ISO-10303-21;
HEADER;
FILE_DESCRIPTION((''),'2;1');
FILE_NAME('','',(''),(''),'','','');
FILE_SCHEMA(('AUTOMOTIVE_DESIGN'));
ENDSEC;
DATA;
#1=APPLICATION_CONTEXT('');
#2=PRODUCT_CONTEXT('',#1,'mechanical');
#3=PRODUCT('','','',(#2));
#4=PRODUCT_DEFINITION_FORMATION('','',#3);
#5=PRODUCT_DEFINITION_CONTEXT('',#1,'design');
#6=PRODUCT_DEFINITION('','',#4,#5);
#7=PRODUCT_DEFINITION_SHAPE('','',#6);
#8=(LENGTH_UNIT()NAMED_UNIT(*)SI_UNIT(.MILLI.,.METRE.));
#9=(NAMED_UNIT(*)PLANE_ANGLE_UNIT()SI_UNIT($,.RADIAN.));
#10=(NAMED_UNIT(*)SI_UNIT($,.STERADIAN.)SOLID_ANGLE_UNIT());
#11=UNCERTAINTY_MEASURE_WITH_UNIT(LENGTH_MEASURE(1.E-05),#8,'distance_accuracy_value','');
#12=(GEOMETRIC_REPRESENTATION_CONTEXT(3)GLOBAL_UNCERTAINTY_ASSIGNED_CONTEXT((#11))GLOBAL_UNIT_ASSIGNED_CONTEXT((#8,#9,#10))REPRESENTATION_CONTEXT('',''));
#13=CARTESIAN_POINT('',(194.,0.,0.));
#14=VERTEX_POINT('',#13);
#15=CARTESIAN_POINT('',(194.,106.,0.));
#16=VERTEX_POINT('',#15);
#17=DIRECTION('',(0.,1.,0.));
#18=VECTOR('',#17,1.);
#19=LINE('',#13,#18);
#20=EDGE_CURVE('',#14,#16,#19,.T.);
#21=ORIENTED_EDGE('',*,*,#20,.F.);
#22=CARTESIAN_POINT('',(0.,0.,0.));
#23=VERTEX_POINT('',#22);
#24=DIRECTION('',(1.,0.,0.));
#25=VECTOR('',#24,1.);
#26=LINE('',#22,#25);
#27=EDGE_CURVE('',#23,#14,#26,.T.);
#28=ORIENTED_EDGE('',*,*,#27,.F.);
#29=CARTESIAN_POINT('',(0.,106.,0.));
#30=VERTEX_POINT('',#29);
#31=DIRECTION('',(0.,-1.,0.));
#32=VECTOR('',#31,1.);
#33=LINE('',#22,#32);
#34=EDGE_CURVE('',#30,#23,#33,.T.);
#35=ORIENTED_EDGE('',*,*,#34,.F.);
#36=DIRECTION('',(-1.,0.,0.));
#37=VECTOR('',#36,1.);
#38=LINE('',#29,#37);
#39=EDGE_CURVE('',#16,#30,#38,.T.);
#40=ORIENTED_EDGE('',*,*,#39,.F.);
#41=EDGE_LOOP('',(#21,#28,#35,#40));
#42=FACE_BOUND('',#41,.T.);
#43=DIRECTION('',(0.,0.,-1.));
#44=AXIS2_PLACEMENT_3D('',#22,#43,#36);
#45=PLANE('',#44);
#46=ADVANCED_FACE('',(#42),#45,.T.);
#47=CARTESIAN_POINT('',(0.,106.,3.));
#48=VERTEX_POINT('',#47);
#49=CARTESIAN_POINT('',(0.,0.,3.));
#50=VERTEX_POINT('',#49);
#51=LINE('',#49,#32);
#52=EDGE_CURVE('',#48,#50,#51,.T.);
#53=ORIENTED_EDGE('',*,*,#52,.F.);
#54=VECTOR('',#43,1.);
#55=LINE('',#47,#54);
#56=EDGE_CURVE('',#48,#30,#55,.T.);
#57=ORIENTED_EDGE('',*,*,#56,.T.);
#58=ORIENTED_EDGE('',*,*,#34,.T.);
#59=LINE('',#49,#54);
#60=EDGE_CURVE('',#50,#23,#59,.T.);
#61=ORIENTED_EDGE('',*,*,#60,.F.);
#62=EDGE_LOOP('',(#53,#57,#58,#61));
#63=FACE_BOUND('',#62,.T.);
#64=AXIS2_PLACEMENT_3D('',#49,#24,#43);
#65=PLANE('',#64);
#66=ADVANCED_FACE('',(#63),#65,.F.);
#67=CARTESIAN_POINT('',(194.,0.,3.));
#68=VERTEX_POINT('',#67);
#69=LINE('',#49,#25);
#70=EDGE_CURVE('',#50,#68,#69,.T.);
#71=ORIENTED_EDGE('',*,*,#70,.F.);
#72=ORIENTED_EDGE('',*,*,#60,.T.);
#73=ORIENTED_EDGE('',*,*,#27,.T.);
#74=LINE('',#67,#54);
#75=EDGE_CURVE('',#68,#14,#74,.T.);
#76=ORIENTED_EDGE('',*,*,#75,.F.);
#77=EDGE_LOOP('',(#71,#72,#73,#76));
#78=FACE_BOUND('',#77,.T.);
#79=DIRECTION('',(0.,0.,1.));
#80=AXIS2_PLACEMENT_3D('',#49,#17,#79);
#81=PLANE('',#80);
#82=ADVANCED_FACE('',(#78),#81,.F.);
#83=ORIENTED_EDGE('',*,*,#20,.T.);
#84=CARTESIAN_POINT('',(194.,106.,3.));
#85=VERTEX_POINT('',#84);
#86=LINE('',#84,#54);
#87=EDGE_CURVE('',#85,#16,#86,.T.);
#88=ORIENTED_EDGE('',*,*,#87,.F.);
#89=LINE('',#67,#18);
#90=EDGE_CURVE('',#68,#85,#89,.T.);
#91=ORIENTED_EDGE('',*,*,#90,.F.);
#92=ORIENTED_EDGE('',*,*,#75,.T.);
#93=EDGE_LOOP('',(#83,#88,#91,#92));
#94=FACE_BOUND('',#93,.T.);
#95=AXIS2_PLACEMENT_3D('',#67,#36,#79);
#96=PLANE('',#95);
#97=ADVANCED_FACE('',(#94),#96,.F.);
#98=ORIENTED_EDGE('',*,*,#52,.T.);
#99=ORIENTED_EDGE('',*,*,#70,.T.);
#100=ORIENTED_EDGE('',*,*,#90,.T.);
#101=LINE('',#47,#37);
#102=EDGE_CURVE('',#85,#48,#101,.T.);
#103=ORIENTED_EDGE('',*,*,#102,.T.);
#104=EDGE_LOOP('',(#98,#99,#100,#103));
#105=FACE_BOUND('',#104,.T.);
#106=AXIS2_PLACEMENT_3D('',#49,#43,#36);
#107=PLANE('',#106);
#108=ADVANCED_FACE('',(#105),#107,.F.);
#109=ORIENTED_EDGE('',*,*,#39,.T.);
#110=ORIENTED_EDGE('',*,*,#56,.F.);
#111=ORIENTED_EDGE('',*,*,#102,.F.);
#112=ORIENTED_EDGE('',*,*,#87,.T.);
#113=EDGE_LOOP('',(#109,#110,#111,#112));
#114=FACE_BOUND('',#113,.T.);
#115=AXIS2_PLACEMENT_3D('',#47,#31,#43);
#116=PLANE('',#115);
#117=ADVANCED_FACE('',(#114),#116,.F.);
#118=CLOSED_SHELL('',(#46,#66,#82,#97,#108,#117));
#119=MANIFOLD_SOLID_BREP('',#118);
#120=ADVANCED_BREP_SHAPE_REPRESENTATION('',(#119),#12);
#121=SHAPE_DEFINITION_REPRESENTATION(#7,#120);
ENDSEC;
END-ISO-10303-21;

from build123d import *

# Parameters (mm, degrees)
SKETCH1_W     = 194
SKETCH1_H     = 106
PROFILE_DEPTH = 3


with BuildPart() as part:
    # Sketch1 → Profile (new body)
    with BuildSketch(Plane.XY):
        with Locations((97, 53)):
            Rectangle(SKETCH1_W, SKETCH1_H)
    extrude(amount=PROFILE_DEPTH)


solid = part.part
